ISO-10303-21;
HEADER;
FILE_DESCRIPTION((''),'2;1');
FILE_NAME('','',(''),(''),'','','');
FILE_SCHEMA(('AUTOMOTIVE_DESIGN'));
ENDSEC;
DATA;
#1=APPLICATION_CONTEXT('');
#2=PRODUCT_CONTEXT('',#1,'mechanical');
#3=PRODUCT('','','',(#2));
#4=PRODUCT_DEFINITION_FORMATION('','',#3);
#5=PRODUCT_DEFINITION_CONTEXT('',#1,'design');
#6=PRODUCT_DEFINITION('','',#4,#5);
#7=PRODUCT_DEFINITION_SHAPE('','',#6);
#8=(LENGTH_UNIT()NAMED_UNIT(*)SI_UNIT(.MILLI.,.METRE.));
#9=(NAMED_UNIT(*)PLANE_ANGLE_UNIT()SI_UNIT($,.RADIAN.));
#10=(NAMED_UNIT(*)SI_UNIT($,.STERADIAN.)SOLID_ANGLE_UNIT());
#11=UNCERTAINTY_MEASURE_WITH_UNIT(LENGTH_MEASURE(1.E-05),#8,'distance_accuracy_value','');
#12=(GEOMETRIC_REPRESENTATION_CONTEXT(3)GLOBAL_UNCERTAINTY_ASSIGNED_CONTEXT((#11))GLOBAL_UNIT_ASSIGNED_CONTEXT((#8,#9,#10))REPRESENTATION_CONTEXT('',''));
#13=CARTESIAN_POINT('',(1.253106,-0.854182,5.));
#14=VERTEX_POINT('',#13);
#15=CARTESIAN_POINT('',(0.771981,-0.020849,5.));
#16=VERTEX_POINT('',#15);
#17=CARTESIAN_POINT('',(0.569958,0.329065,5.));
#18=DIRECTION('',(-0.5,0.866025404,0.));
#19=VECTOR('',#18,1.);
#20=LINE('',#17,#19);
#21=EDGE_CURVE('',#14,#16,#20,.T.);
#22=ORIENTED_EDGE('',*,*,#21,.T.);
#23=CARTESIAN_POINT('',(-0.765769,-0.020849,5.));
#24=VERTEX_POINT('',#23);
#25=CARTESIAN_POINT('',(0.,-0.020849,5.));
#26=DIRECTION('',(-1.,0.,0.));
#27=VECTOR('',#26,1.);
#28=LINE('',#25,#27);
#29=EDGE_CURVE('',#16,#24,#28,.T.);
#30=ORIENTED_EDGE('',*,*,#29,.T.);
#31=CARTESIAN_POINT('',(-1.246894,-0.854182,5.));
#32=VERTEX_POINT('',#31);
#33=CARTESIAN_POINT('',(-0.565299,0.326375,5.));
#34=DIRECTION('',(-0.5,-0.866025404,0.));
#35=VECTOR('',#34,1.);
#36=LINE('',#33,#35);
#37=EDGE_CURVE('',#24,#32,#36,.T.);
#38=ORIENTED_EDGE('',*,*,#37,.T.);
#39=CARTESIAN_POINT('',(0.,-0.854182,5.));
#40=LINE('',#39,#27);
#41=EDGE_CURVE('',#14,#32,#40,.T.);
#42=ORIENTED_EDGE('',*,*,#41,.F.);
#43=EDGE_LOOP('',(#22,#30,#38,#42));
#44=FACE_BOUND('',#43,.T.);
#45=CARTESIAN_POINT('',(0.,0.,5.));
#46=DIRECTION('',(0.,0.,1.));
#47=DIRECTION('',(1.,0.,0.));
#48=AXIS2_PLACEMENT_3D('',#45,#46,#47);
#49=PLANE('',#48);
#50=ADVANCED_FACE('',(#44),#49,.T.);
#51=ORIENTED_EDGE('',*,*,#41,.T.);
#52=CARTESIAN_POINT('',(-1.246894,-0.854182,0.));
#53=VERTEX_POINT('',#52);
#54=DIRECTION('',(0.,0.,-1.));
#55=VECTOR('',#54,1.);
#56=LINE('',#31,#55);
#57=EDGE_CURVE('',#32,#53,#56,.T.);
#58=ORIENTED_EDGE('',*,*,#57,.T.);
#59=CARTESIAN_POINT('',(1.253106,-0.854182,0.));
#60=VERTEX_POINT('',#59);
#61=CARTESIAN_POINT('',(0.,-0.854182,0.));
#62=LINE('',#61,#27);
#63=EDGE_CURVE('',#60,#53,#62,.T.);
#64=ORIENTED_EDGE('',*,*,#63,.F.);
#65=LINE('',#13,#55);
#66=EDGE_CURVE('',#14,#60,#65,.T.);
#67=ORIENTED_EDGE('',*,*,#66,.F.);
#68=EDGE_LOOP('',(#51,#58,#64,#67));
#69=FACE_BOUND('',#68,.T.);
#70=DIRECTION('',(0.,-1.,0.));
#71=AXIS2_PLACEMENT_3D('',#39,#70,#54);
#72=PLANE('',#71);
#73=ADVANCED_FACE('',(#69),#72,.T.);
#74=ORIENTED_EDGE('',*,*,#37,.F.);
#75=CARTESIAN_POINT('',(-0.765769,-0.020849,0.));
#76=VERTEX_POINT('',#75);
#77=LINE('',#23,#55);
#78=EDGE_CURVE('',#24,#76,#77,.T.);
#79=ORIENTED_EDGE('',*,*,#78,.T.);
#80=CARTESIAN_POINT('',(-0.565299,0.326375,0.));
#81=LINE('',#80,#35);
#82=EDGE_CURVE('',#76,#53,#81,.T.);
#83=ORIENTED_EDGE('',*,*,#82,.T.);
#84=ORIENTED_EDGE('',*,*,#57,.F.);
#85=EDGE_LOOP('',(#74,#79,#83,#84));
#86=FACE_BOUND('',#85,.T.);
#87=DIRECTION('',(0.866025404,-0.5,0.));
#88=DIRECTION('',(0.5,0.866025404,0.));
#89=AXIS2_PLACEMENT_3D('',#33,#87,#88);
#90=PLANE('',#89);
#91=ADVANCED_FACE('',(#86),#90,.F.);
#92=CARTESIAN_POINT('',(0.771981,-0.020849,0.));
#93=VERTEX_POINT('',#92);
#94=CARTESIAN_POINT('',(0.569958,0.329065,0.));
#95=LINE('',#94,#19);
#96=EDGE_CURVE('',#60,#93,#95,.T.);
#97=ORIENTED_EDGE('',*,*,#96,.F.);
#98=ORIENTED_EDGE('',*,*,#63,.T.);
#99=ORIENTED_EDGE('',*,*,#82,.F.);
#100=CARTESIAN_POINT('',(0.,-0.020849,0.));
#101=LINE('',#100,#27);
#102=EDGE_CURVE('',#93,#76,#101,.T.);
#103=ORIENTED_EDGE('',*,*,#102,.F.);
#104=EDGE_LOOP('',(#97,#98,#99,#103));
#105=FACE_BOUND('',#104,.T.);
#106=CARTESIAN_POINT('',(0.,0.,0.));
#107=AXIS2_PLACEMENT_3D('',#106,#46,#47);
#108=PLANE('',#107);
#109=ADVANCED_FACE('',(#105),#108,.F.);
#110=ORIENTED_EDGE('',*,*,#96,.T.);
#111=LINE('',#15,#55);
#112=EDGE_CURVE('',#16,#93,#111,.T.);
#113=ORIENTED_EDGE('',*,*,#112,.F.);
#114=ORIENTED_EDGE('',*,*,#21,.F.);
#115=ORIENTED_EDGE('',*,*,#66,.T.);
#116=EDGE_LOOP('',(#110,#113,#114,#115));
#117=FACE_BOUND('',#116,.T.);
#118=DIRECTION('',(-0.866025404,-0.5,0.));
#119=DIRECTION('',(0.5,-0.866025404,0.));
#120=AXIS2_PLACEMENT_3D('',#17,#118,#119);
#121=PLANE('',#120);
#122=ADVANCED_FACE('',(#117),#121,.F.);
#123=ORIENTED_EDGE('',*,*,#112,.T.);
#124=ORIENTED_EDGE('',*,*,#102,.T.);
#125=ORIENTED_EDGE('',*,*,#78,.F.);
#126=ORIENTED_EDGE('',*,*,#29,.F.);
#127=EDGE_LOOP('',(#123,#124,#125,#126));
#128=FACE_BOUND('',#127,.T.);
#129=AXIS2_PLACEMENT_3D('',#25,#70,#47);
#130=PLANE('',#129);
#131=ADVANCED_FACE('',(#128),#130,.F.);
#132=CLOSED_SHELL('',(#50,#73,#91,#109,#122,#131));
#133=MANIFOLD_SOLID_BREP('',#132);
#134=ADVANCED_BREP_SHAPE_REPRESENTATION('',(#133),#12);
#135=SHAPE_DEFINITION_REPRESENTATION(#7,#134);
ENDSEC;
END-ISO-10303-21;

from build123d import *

# Parameters (mm, degrees)
BOSS_EXTRUDE1_DEPTH = 5


with BuildPart() as part:
    # Sketch1 → Boss-Extrude1 (new body)
    with BuildSketch(Plane.XY):
        Polygon((-1.246893784, -0.85418239), (1.253106216, -0.85418239), (0.771980992, -0.020849056), (-0.765768559, -0.020849056), align=None)
    extrude(amount=BOSS_EXTRUDE1_DEPTH)


solid = part.part
